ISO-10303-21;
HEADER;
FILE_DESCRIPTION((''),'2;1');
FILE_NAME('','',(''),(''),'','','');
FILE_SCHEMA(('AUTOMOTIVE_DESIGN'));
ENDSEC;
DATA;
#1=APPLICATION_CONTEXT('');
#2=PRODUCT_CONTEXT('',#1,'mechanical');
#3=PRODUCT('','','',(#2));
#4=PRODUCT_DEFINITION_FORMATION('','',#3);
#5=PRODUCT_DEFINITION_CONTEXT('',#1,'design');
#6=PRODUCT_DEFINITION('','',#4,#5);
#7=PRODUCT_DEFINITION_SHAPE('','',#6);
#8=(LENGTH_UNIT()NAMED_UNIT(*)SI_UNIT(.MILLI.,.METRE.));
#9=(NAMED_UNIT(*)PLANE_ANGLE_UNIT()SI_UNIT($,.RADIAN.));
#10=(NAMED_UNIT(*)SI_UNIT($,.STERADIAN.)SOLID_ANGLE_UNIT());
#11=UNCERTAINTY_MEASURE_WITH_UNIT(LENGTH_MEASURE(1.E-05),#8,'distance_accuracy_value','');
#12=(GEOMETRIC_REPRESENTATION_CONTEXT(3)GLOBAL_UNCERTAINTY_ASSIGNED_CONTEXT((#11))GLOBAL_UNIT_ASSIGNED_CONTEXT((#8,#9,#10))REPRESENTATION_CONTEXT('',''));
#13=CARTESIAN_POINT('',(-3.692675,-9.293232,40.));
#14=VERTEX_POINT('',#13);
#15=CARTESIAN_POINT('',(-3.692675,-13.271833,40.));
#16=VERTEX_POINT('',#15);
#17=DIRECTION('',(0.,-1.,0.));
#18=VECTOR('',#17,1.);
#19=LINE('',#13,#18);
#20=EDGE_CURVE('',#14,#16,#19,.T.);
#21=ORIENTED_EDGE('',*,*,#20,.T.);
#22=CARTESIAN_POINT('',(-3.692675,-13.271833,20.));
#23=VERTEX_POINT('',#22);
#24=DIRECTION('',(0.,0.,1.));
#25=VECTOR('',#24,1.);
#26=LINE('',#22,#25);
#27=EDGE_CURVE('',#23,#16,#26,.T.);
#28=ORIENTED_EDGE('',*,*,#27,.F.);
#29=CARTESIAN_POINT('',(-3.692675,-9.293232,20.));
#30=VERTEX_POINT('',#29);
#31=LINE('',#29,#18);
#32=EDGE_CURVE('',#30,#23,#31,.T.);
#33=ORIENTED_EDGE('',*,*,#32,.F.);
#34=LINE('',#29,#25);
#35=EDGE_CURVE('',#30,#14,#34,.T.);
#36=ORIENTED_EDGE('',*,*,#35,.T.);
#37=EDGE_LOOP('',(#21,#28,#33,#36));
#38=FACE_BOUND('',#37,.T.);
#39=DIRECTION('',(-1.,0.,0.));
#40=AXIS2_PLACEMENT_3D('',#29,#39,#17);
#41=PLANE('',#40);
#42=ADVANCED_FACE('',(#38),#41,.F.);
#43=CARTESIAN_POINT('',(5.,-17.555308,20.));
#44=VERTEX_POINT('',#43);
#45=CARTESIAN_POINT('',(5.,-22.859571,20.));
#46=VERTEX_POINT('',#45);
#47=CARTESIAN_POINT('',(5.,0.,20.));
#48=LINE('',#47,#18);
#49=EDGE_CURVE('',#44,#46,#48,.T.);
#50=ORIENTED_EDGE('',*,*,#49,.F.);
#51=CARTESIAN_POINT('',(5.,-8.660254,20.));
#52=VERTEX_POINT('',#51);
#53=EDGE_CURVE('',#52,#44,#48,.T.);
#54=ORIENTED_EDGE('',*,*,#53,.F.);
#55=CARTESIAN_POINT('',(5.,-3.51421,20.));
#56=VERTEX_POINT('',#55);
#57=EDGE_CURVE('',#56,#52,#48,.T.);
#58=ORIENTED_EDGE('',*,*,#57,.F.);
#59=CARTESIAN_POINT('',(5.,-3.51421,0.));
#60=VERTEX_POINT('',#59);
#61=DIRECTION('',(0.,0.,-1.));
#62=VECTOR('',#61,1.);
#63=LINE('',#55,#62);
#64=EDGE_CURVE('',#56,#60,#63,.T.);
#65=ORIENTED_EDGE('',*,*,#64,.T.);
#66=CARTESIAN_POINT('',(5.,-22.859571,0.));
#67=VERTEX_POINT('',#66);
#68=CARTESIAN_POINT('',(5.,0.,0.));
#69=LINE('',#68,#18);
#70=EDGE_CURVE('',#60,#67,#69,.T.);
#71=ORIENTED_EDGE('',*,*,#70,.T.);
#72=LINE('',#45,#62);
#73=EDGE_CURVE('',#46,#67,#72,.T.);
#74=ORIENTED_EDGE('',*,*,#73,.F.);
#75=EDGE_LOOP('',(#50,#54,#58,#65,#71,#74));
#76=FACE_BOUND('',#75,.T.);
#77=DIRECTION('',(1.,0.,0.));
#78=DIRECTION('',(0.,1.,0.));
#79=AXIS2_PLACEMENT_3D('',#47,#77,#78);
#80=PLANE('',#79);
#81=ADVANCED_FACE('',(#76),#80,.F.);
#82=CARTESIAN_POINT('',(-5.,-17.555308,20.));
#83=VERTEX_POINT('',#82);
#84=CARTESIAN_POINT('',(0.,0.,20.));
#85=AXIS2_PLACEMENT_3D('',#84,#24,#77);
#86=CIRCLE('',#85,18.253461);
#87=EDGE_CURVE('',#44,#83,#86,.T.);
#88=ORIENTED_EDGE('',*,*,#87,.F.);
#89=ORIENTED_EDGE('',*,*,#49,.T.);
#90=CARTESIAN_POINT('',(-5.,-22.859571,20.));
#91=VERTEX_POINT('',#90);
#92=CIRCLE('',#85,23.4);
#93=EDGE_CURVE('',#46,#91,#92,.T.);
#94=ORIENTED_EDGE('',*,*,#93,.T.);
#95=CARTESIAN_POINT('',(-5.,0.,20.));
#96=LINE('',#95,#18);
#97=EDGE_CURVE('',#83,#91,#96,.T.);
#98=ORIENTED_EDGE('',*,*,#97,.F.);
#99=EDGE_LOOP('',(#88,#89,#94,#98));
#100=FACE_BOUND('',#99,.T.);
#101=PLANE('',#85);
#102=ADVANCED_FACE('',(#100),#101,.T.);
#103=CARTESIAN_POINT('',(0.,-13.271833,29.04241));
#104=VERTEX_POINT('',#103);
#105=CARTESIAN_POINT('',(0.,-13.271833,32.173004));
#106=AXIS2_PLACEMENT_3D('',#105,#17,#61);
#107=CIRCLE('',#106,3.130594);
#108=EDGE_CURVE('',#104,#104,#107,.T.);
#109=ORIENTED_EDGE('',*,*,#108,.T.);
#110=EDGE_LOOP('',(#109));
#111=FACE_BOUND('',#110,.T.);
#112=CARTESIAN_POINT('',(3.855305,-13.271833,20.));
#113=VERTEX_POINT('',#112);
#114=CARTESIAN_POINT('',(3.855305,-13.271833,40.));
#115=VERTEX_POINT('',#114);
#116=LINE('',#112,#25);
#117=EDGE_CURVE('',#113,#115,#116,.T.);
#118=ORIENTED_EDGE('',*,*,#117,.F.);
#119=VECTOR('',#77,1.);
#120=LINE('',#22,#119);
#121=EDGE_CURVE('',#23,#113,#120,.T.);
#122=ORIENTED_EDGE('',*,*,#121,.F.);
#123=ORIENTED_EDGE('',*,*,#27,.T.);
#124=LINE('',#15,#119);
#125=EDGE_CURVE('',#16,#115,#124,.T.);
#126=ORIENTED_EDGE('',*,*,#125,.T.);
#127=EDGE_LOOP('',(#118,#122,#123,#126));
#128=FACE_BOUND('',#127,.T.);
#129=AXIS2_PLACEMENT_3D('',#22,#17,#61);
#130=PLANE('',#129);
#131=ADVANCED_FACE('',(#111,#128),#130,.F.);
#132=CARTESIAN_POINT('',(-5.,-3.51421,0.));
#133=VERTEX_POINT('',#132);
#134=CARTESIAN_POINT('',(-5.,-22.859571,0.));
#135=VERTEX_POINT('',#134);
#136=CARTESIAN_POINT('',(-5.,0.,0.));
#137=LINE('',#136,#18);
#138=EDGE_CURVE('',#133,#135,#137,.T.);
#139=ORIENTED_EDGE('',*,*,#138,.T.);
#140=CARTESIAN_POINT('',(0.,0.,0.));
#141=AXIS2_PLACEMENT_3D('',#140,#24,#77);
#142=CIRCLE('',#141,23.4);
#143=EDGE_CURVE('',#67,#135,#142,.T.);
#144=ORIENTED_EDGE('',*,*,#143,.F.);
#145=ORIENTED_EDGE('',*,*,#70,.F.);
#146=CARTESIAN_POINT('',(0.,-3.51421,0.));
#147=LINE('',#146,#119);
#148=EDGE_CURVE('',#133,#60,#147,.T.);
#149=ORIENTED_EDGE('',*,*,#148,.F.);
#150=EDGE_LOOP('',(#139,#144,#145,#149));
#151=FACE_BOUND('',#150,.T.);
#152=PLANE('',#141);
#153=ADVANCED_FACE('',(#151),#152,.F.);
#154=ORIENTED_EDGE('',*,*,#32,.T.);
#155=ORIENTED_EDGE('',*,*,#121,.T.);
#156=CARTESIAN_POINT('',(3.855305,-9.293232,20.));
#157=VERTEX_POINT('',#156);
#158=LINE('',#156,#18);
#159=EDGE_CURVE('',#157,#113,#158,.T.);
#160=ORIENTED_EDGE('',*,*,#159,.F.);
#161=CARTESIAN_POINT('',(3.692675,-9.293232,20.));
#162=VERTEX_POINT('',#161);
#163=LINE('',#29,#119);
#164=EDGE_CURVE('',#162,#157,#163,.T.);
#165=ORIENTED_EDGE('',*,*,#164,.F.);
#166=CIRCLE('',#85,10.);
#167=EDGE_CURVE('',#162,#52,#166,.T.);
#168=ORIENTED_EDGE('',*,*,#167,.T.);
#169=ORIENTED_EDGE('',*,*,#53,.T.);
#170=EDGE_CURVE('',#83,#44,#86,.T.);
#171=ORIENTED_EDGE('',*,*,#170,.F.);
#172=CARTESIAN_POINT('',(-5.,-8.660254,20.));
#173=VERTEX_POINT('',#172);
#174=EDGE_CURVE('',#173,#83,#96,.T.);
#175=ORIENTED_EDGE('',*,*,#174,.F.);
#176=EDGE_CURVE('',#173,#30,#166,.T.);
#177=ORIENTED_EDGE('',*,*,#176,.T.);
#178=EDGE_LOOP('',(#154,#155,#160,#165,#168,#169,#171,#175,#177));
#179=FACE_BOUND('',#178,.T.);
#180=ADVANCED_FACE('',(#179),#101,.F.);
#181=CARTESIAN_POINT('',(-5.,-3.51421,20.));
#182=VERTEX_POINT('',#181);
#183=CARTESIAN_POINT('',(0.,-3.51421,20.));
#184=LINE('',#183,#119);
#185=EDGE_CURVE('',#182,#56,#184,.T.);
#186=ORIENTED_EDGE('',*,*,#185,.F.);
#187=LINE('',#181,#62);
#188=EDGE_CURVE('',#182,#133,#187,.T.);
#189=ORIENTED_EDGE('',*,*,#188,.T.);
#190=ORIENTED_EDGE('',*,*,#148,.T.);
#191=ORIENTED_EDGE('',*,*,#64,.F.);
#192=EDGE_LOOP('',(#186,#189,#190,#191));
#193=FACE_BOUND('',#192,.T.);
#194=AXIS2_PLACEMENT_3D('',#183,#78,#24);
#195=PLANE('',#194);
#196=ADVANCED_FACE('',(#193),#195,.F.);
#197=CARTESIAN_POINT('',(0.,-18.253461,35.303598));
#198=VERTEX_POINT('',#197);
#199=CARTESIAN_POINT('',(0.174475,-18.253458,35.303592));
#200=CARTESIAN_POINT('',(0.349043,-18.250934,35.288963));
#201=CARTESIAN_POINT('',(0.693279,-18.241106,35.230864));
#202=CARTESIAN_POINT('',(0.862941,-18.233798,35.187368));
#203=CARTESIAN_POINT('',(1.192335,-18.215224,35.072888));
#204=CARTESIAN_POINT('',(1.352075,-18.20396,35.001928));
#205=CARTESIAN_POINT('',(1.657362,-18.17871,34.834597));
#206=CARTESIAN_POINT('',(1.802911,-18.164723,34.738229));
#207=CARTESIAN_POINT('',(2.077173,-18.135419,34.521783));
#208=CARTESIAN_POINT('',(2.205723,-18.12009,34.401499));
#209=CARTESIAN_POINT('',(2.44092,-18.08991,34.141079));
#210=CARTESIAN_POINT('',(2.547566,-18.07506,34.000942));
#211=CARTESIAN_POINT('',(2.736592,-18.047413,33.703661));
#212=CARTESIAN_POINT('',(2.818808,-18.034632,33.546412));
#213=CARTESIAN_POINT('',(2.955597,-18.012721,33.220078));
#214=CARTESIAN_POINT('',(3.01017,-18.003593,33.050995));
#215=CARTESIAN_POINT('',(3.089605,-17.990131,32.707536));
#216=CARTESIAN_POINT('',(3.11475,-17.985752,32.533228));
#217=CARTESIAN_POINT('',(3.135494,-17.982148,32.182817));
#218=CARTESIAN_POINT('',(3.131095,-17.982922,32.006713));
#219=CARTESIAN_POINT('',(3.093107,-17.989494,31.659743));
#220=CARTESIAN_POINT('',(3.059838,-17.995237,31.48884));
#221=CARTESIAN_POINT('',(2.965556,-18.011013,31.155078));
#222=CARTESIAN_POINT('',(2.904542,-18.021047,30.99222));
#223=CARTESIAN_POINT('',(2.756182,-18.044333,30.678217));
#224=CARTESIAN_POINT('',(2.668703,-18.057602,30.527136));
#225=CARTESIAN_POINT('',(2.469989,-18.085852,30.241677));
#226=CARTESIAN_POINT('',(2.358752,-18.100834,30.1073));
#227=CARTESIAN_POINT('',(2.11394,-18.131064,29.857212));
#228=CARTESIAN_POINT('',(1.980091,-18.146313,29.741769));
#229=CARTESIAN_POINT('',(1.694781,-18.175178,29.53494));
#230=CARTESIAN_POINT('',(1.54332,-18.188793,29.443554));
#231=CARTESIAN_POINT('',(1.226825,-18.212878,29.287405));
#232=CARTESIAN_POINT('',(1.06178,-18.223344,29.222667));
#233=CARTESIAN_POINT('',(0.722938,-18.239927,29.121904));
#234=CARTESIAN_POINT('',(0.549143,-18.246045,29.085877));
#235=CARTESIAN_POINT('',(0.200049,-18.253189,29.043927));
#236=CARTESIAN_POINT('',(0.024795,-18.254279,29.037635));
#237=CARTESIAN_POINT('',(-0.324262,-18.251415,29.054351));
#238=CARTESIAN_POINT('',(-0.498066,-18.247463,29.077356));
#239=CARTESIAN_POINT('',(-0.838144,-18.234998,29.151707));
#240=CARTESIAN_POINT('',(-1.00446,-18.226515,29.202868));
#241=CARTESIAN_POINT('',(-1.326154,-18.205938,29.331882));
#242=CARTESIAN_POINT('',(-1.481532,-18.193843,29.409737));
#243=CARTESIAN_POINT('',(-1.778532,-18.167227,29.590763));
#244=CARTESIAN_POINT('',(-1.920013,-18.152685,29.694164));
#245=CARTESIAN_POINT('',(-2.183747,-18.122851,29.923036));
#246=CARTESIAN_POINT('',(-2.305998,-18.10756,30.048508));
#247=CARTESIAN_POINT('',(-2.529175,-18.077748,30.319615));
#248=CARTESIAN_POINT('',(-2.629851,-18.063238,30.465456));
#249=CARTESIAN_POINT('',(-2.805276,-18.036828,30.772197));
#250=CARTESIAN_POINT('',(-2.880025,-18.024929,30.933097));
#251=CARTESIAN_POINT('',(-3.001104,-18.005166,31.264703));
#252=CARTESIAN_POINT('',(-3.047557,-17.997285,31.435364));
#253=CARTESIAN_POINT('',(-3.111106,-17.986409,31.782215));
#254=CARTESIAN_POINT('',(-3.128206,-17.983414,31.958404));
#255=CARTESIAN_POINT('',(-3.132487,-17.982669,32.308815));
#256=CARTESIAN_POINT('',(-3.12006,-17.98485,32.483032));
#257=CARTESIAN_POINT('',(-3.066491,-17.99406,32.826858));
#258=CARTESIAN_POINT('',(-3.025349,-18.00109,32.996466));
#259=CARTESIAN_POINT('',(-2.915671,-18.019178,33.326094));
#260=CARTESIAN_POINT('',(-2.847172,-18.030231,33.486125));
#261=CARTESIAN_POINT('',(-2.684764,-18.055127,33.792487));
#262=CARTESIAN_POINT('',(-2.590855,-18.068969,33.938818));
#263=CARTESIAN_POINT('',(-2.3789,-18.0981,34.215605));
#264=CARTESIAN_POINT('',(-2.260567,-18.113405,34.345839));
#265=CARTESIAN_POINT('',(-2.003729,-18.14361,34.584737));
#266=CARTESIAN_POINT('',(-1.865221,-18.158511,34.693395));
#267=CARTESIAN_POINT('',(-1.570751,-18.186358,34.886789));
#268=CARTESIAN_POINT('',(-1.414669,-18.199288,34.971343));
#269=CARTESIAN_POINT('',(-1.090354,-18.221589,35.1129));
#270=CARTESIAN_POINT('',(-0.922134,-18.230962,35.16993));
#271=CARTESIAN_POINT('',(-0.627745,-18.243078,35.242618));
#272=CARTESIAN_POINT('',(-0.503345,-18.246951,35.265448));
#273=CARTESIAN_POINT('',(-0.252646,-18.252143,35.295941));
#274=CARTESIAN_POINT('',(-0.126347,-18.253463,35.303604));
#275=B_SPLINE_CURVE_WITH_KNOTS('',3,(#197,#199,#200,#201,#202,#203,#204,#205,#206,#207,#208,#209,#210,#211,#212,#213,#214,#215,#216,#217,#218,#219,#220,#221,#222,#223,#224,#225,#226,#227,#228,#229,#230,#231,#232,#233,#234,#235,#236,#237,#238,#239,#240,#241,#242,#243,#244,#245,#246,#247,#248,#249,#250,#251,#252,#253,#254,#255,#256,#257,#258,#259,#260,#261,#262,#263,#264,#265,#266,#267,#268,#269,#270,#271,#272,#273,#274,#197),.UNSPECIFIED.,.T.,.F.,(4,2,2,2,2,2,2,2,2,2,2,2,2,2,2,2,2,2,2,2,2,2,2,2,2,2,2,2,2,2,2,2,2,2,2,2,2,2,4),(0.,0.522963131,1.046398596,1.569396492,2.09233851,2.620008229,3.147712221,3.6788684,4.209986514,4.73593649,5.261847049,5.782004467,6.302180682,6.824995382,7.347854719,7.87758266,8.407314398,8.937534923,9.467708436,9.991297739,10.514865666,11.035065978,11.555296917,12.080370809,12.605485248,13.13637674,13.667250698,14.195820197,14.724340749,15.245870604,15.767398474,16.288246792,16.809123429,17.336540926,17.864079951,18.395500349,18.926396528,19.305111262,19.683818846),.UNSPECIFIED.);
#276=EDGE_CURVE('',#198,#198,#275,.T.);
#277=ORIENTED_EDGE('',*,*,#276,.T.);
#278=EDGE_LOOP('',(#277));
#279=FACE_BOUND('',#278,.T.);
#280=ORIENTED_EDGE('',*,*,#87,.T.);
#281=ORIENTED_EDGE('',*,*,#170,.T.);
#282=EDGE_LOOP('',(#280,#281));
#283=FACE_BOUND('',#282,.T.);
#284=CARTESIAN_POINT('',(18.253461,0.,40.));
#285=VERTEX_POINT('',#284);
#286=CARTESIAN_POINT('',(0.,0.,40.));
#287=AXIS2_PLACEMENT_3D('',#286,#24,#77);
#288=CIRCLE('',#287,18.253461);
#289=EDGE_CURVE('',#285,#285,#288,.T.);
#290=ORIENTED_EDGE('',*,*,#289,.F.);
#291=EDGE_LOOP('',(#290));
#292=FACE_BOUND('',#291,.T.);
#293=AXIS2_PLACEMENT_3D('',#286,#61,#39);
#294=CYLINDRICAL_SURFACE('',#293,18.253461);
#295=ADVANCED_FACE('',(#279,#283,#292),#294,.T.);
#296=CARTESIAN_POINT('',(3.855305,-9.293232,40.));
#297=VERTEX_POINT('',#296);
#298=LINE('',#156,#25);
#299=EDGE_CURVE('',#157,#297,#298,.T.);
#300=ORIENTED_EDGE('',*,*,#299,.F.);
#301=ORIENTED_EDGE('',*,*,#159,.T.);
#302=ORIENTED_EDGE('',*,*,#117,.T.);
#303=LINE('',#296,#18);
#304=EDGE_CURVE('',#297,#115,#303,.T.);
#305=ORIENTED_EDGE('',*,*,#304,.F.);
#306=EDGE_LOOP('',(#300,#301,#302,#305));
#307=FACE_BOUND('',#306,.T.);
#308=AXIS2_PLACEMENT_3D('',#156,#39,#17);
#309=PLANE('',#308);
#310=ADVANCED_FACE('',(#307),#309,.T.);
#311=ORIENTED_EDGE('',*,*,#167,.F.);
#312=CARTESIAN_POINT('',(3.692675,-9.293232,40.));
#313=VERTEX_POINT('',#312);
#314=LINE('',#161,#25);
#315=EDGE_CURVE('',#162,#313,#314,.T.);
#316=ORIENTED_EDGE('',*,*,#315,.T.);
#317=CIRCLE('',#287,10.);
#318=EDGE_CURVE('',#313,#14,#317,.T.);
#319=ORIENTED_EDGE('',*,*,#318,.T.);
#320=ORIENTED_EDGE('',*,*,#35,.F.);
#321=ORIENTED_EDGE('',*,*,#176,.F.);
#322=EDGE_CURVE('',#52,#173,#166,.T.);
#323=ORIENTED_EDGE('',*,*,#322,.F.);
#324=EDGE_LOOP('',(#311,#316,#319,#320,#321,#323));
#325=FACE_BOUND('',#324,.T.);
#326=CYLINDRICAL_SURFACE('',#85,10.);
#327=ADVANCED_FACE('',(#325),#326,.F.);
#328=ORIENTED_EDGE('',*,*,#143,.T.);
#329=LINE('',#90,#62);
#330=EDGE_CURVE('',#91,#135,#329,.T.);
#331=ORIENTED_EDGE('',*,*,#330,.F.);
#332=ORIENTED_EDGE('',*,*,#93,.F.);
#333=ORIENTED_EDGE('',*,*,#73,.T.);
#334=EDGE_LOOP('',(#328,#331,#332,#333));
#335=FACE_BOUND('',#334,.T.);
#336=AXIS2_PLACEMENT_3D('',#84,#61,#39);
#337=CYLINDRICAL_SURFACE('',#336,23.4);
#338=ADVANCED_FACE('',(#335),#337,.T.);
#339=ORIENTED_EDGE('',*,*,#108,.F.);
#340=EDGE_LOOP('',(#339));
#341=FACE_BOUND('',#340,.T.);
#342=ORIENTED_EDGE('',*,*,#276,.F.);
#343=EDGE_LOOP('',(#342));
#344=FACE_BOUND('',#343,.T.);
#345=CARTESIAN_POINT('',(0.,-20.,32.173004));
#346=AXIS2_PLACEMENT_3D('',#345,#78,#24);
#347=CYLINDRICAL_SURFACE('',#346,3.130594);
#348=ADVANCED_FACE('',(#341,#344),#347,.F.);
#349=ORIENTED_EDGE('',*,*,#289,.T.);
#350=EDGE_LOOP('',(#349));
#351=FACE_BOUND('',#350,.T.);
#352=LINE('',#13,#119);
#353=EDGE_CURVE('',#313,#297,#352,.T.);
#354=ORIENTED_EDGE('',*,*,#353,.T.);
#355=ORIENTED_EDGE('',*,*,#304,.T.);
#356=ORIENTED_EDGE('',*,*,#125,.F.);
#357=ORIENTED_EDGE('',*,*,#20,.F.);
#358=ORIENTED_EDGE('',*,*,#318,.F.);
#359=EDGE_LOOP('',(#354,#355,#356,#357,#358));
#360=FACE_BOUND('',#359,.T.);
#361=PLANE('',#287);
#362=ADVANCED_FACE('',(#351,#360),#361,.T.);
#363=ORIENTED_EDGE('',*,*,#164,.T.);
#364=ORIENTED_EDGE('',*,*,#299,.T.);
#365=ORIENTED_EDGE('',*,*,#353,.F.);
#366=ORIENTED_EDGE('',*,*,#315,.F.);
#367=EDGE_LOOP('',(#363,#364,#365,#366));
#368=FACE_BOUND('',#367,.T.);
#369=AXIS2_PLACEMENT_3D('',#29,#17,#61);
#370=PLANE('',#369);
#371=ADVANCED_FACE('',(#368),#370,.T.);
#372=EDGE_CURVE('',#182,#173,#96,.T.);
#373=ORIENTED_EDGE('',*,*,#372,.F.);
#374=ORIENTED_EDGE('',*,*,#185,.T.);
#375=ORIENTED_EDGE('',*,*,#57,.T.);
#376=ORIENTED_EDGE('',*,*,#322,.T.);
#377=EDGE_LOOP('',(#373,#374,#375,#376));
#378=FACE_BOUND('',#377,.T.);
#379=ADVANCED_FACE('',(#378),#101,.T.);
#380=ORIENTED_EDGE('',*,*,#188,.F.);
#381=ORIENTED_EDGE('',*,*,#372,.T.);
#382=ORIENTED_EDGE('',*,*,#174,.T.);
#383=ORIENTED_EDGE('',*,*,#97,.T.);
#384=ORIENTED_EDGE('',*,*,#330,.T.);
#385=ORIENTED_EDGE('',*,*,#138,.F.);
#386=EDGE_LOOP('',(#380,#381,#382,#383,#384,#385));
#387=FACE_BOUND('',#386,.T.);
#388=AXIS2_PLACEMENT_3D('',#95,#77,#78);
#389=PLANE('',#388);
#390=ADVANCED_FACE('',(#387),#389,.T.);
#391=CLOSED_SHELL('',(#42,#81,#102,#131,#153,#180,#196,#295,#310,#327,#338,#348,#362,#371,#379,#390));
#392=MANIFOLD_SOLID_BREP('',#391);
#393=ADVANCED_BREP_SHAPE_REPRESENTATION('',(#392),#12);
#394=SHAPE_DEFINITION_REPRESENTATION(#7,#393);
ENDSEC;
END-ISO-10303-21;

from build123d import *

# Parameters (mm, degrees)
SALIENTE_EXTRUIR1_DEPTH = 20
CROQUIS2_R              = 18.253461236
SALIENTE_EXTRUIR2_DEPTH = 20
CROQUIS3_R              = 10
CROQUIS3_W              = 7.547979368
CROQUIS3_H              = 3.978601063
CORTAR_EXTRUIR1_DEPTH   = 20
CROQUIS4_R              = 3.130594147
CORTAR_EXTRUIR2_DEPTH   = 20


with BuildPart() as part:
    # Croquis1 → Saliente-Extruir1 (new body)
    with BuildSketch(Plane.XY):
        with BuildLine():
            Line((-5, -22.8595713), (-5, -3.514210375))
            Line((-5, -3.514210375), (5, -3.514210375))
            Line((5, -3.514210375), (5, -22.8595713))
            ThreePointArc((5, -22.8595713), (18.228549037, -14.672423113), (23.4, 0))
            ThreePointArc((23.4, 0), (-14.672423113, 18.228549037), (-5, -22.8595713))
        make_face()
    extrude(amount=SALIENTE_EXTRUIR1_DEPTH)

    # Croquis2 → Saliente-Extruir2 (add)
    with BuildSketch(Plane.XY.offset(20)):
        with Locations(Location((0, 0, 0), (0, 0, 254.102297609))):
            Circle(CROQUIS2_R)
    extrude(amount=SALIENTE_EXTRUIR2_DEPTH)

    # Croquis3 → Cortar-Extruir1 (cut)
    with BuildSketch(Plane.XY.offset(40)):
        Circle(CROQUIS3_R)
        with Locations((0.081314891, -11.282532094)):
            Rectangle(CROQUIS3_W, CROQUIS3_H)
    extrude(amount=-CORTAR_EXTRUIR1_DEPTH, mode=Mode.SUBTRACT)

    # Croquis4 → Cortar-Extruir2 (cut)
    with BuildSketch(Plane(origin=(0, 0, 0), x_dir=(1, 0, 0), z_dir=(0, 1, 0))):
        with Locations(Location((0, -32.173004338, 0), (0, 0, 270))):
            Circle(CROQUIS4_R)
    extrude(amount=-CORTAR_EXTRUIR2_DEPTH, mode=Mode.SUBTRACT)


solid = part.part
